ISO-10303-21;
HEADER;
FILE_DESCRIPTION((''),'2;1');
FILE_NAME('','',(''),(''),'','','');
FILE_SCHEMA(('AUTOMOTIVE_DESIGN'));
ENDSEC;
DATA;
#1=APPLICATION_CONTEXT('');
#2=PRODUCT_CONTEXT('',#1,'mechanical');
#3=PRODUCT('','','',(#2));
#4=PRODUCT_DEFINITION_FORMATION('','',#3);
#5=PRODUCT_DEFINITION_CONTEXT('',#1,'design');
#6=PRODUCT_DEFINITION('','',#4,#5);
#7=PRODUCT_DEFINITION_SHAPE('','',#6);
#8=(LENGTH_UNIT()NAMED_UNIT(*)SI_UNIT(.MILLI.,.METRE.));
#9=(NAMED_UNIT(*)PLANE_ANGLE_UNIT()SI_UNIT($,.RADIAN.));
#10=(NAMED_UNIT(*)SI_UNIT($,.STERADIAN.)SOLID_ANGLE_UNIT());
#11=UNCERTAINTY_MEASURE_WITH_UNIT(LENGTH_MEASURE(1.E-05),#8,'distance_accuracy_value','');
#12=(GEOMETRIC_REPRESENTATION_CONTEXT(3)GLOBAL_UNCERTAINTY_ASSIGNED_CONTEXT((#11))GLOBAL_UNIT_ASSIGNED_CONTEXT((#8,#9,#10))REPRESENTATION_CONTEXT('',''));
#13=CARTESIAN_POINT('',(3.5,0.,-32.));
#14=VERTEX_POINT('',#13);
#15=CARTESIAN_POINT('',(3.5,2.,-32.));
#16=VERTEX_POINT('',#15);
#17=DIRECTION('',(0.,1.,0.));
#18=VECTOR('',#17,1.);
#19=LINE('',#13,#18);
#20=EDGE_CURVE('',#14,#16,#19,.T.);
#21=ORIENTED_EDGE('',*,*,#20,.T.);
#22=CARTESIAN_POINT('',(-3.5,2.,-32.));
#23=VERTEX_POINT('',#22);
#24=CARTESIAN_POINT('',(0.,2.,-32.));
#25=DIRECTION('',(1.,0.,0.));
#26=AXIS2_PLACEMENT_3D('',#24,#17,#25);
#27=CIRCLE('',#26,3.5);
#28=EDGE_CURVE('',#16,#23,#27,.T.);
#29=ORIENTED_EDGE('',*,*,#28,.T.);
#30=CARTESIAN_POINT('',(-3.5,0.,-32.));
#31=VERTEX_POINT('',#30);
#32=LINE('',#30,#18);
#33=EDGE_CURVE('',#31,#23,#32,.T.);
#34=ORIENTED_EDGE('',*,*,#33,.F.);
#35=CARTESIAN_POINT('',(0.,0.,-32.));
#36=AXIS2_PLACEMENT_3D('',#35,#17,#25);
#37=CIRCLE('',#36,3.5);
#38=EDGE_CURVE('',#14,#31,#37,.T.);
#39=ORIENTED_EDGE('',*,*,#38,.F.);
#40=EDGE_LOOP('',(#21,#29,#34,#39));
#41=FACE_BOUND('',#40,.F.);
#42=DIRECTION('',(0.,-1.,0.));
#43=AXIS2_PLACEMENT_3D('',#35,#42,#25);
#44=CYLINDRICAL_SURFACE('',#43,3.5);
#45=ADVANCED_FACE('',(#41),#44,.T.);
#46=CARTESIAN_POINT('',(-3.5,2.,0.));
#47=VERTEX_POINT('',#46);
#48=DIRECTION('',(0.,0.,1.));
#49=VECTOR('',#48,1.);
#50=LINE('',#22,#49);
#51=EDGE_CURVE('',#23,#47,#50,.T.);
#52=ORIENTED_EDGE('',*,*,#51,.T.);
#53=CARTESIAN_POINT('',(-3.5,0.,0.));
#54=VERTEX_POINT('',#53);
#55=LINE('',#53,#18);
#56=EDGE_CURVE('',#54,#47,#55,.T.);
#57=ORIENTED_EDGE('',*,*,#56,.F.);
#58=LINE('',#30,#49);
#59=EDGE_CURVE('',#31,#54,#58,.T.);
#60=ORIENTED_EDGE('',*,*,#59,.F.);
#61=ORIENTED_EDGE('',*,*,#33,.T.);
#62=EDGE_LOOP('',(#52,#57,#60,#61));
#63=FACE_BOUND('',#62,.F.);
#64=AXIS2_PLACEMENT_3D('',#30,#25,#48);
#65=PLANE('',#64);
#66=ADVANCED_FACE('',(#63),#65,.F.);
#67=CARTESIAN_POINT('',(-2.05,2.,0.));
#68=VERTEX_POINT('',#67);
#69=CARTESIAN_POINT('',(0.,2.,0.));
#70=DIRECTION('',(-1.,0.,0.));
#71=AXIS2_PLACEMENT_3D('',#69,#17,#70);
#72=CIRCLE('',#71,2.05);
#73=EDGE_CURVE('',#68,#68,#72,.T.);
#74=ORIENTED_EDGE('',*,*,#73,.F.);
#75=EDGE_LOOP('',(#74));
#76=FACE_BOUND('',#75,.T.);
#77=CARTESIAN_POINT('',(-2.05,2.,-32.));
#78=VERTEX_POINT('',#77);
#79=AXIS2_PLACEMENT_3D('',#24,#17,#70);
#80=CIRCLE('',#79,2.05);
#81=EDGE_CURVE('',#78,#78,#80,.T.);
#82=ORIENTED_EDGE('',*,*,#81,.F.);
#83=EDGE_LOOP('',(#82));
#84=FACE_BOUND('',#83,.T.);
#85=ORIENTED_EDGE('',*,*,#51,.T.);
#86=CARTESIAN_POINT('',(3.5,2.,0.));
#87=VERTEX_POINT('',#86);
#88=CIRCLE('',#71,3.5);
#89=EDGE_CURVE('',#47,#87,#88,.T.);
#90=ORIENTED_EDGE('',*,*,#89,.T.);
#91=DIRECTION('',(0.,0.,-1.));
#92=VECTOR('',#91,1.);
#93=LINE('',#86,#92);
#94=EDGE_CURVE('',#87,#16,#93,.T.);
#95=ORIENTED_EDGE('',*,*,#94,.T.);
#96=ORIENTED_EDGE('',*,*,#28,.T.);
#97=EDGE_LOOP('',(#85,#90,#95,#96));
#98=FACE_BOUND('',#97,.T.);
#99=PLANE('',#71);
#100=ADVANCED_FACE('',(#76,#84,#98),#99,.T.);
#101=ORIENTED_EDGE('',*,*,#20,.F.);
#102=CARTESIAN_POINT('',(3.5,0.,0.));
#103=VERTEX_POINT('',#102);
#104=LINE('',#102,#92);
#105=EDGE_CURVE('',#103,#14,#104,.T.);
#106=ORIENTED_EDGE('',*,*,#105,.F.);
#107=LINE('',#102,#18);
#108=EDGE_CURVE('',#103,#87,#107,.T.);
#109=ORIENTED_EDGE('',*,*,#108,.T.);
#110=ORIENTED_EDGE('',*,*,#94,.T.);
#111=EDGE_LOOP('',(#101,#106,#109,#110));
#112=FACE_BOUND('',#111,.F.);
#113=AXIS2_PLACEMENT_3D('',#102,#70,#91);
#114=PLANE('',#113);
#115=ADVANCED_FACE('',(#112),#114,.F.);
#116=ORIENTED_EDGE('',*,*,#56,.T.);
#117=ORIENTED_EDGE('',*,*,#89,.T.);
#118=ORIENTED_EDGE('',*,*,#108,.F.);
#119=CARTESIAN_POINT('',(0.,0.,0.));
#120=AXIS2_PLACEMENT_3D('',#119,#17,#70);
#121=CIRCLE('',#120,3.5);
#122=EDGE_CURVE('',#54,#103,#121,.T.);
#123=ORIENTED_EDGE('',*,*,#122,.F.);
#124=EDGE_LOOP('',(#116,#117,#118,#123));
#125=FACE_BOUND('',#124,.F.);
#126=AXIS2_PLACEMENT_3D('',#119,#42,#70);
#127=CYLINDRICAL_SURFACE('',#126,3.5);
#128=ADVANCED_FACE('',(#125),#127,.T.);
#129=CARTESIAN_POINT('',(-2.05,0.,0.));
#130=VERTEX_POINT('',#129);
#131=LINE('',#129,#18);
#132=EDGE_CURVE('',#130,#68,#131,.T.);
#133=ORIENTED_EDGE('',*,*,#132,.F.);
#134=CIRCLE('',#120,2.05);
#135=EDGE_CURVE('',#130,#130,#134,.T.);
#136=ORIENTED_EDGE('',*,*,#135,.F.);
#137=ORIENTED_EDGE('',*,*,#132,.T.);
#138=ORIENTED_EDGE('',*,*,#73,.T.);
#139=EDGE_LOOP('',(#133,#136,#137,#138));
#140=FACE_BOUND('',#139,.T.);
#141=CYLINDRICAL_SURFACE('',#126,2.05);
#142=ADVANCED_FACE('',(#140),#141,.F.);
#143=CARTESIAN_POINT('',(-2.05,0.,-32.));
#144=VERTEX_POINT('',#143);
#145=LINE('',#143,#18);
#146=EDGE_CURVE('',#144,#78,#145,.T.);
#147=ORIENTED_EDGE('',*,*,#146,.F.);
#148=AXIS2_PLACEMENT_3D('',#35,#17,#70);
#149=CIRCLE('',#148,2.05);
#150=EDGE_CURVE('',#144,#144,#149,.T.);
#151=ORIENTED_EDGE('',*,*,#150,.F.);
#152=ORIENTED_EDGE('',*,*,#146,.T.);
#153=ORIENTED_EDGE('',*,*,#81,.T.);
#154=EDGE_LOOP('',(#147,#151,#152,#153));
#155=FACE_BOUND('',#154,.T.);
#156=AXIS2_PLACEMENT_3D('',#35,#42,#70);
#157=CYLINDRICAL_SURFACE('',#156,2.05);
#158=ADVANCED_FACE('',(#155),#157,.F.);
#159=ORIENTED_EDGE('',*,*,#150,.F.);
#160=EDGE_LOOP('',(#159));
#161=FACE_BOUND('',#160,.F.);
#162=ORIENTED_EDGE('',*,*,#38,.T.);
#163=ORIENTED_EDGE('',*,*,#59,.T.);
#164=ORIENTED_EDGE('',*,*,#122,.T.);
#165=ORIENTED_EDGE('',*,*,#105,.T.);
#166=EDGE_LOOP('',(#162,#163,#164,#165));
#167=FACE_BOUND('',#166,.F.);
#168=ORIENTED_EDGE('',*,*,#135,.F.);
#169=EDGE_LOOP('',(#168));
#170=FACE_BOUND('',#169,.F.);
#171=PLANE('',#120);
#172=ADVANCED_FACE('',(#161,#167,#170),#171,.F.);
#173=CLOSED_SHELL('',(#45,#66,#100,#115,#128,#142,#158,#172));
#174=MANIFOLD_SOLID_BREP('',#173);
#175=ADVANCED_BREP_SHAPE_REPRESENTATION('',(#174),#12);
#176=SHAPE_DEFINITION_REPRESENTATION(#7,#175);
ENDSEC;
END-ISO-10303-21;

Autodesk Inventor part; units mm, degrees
ref_plane "YZ Plane" through (0, 0, 0) normal (1, 0, 0) x (0, 1, 0)
ref_plane "XZ Plane" through (0, 0, 0) normal (0, 1, 0) x (-1, 0, 0)
ref_plane "XY Plane" through (0, 0, 0) normal (0, 0, 1) x (1, 0, 0)
sketch "Sketch1" plane through (0, 0, 0) normal (0, 1, 0) x (-1, 0, 0)
  circle A0 centre (0, 0) radius 2.05
  circle A1 centre (0, -32) radius 2.05
  line L0 (0, 0) -> (0, -32) construction
  line L1 (-3.5, 0) -> (-3.5, -32)
  line L2 (3.5, -32) -> (3.5, 0)
  arc A2 (3.5, 0) -> (-3.5, 0) centre (0, 0) ccw
  arc A3 (-3.5, -32) -> (3.5, -32) centre (0, -32) ccw
  point P0 (0, -16)
  dimension "d1" = 4.1
  dimension "d2" = 4.1
  dimension "d3" = 7
extrude "Extrusion1" add sketch "Sketch1" along normal blind 2
properties part number "Micro_servo_frame_1"
